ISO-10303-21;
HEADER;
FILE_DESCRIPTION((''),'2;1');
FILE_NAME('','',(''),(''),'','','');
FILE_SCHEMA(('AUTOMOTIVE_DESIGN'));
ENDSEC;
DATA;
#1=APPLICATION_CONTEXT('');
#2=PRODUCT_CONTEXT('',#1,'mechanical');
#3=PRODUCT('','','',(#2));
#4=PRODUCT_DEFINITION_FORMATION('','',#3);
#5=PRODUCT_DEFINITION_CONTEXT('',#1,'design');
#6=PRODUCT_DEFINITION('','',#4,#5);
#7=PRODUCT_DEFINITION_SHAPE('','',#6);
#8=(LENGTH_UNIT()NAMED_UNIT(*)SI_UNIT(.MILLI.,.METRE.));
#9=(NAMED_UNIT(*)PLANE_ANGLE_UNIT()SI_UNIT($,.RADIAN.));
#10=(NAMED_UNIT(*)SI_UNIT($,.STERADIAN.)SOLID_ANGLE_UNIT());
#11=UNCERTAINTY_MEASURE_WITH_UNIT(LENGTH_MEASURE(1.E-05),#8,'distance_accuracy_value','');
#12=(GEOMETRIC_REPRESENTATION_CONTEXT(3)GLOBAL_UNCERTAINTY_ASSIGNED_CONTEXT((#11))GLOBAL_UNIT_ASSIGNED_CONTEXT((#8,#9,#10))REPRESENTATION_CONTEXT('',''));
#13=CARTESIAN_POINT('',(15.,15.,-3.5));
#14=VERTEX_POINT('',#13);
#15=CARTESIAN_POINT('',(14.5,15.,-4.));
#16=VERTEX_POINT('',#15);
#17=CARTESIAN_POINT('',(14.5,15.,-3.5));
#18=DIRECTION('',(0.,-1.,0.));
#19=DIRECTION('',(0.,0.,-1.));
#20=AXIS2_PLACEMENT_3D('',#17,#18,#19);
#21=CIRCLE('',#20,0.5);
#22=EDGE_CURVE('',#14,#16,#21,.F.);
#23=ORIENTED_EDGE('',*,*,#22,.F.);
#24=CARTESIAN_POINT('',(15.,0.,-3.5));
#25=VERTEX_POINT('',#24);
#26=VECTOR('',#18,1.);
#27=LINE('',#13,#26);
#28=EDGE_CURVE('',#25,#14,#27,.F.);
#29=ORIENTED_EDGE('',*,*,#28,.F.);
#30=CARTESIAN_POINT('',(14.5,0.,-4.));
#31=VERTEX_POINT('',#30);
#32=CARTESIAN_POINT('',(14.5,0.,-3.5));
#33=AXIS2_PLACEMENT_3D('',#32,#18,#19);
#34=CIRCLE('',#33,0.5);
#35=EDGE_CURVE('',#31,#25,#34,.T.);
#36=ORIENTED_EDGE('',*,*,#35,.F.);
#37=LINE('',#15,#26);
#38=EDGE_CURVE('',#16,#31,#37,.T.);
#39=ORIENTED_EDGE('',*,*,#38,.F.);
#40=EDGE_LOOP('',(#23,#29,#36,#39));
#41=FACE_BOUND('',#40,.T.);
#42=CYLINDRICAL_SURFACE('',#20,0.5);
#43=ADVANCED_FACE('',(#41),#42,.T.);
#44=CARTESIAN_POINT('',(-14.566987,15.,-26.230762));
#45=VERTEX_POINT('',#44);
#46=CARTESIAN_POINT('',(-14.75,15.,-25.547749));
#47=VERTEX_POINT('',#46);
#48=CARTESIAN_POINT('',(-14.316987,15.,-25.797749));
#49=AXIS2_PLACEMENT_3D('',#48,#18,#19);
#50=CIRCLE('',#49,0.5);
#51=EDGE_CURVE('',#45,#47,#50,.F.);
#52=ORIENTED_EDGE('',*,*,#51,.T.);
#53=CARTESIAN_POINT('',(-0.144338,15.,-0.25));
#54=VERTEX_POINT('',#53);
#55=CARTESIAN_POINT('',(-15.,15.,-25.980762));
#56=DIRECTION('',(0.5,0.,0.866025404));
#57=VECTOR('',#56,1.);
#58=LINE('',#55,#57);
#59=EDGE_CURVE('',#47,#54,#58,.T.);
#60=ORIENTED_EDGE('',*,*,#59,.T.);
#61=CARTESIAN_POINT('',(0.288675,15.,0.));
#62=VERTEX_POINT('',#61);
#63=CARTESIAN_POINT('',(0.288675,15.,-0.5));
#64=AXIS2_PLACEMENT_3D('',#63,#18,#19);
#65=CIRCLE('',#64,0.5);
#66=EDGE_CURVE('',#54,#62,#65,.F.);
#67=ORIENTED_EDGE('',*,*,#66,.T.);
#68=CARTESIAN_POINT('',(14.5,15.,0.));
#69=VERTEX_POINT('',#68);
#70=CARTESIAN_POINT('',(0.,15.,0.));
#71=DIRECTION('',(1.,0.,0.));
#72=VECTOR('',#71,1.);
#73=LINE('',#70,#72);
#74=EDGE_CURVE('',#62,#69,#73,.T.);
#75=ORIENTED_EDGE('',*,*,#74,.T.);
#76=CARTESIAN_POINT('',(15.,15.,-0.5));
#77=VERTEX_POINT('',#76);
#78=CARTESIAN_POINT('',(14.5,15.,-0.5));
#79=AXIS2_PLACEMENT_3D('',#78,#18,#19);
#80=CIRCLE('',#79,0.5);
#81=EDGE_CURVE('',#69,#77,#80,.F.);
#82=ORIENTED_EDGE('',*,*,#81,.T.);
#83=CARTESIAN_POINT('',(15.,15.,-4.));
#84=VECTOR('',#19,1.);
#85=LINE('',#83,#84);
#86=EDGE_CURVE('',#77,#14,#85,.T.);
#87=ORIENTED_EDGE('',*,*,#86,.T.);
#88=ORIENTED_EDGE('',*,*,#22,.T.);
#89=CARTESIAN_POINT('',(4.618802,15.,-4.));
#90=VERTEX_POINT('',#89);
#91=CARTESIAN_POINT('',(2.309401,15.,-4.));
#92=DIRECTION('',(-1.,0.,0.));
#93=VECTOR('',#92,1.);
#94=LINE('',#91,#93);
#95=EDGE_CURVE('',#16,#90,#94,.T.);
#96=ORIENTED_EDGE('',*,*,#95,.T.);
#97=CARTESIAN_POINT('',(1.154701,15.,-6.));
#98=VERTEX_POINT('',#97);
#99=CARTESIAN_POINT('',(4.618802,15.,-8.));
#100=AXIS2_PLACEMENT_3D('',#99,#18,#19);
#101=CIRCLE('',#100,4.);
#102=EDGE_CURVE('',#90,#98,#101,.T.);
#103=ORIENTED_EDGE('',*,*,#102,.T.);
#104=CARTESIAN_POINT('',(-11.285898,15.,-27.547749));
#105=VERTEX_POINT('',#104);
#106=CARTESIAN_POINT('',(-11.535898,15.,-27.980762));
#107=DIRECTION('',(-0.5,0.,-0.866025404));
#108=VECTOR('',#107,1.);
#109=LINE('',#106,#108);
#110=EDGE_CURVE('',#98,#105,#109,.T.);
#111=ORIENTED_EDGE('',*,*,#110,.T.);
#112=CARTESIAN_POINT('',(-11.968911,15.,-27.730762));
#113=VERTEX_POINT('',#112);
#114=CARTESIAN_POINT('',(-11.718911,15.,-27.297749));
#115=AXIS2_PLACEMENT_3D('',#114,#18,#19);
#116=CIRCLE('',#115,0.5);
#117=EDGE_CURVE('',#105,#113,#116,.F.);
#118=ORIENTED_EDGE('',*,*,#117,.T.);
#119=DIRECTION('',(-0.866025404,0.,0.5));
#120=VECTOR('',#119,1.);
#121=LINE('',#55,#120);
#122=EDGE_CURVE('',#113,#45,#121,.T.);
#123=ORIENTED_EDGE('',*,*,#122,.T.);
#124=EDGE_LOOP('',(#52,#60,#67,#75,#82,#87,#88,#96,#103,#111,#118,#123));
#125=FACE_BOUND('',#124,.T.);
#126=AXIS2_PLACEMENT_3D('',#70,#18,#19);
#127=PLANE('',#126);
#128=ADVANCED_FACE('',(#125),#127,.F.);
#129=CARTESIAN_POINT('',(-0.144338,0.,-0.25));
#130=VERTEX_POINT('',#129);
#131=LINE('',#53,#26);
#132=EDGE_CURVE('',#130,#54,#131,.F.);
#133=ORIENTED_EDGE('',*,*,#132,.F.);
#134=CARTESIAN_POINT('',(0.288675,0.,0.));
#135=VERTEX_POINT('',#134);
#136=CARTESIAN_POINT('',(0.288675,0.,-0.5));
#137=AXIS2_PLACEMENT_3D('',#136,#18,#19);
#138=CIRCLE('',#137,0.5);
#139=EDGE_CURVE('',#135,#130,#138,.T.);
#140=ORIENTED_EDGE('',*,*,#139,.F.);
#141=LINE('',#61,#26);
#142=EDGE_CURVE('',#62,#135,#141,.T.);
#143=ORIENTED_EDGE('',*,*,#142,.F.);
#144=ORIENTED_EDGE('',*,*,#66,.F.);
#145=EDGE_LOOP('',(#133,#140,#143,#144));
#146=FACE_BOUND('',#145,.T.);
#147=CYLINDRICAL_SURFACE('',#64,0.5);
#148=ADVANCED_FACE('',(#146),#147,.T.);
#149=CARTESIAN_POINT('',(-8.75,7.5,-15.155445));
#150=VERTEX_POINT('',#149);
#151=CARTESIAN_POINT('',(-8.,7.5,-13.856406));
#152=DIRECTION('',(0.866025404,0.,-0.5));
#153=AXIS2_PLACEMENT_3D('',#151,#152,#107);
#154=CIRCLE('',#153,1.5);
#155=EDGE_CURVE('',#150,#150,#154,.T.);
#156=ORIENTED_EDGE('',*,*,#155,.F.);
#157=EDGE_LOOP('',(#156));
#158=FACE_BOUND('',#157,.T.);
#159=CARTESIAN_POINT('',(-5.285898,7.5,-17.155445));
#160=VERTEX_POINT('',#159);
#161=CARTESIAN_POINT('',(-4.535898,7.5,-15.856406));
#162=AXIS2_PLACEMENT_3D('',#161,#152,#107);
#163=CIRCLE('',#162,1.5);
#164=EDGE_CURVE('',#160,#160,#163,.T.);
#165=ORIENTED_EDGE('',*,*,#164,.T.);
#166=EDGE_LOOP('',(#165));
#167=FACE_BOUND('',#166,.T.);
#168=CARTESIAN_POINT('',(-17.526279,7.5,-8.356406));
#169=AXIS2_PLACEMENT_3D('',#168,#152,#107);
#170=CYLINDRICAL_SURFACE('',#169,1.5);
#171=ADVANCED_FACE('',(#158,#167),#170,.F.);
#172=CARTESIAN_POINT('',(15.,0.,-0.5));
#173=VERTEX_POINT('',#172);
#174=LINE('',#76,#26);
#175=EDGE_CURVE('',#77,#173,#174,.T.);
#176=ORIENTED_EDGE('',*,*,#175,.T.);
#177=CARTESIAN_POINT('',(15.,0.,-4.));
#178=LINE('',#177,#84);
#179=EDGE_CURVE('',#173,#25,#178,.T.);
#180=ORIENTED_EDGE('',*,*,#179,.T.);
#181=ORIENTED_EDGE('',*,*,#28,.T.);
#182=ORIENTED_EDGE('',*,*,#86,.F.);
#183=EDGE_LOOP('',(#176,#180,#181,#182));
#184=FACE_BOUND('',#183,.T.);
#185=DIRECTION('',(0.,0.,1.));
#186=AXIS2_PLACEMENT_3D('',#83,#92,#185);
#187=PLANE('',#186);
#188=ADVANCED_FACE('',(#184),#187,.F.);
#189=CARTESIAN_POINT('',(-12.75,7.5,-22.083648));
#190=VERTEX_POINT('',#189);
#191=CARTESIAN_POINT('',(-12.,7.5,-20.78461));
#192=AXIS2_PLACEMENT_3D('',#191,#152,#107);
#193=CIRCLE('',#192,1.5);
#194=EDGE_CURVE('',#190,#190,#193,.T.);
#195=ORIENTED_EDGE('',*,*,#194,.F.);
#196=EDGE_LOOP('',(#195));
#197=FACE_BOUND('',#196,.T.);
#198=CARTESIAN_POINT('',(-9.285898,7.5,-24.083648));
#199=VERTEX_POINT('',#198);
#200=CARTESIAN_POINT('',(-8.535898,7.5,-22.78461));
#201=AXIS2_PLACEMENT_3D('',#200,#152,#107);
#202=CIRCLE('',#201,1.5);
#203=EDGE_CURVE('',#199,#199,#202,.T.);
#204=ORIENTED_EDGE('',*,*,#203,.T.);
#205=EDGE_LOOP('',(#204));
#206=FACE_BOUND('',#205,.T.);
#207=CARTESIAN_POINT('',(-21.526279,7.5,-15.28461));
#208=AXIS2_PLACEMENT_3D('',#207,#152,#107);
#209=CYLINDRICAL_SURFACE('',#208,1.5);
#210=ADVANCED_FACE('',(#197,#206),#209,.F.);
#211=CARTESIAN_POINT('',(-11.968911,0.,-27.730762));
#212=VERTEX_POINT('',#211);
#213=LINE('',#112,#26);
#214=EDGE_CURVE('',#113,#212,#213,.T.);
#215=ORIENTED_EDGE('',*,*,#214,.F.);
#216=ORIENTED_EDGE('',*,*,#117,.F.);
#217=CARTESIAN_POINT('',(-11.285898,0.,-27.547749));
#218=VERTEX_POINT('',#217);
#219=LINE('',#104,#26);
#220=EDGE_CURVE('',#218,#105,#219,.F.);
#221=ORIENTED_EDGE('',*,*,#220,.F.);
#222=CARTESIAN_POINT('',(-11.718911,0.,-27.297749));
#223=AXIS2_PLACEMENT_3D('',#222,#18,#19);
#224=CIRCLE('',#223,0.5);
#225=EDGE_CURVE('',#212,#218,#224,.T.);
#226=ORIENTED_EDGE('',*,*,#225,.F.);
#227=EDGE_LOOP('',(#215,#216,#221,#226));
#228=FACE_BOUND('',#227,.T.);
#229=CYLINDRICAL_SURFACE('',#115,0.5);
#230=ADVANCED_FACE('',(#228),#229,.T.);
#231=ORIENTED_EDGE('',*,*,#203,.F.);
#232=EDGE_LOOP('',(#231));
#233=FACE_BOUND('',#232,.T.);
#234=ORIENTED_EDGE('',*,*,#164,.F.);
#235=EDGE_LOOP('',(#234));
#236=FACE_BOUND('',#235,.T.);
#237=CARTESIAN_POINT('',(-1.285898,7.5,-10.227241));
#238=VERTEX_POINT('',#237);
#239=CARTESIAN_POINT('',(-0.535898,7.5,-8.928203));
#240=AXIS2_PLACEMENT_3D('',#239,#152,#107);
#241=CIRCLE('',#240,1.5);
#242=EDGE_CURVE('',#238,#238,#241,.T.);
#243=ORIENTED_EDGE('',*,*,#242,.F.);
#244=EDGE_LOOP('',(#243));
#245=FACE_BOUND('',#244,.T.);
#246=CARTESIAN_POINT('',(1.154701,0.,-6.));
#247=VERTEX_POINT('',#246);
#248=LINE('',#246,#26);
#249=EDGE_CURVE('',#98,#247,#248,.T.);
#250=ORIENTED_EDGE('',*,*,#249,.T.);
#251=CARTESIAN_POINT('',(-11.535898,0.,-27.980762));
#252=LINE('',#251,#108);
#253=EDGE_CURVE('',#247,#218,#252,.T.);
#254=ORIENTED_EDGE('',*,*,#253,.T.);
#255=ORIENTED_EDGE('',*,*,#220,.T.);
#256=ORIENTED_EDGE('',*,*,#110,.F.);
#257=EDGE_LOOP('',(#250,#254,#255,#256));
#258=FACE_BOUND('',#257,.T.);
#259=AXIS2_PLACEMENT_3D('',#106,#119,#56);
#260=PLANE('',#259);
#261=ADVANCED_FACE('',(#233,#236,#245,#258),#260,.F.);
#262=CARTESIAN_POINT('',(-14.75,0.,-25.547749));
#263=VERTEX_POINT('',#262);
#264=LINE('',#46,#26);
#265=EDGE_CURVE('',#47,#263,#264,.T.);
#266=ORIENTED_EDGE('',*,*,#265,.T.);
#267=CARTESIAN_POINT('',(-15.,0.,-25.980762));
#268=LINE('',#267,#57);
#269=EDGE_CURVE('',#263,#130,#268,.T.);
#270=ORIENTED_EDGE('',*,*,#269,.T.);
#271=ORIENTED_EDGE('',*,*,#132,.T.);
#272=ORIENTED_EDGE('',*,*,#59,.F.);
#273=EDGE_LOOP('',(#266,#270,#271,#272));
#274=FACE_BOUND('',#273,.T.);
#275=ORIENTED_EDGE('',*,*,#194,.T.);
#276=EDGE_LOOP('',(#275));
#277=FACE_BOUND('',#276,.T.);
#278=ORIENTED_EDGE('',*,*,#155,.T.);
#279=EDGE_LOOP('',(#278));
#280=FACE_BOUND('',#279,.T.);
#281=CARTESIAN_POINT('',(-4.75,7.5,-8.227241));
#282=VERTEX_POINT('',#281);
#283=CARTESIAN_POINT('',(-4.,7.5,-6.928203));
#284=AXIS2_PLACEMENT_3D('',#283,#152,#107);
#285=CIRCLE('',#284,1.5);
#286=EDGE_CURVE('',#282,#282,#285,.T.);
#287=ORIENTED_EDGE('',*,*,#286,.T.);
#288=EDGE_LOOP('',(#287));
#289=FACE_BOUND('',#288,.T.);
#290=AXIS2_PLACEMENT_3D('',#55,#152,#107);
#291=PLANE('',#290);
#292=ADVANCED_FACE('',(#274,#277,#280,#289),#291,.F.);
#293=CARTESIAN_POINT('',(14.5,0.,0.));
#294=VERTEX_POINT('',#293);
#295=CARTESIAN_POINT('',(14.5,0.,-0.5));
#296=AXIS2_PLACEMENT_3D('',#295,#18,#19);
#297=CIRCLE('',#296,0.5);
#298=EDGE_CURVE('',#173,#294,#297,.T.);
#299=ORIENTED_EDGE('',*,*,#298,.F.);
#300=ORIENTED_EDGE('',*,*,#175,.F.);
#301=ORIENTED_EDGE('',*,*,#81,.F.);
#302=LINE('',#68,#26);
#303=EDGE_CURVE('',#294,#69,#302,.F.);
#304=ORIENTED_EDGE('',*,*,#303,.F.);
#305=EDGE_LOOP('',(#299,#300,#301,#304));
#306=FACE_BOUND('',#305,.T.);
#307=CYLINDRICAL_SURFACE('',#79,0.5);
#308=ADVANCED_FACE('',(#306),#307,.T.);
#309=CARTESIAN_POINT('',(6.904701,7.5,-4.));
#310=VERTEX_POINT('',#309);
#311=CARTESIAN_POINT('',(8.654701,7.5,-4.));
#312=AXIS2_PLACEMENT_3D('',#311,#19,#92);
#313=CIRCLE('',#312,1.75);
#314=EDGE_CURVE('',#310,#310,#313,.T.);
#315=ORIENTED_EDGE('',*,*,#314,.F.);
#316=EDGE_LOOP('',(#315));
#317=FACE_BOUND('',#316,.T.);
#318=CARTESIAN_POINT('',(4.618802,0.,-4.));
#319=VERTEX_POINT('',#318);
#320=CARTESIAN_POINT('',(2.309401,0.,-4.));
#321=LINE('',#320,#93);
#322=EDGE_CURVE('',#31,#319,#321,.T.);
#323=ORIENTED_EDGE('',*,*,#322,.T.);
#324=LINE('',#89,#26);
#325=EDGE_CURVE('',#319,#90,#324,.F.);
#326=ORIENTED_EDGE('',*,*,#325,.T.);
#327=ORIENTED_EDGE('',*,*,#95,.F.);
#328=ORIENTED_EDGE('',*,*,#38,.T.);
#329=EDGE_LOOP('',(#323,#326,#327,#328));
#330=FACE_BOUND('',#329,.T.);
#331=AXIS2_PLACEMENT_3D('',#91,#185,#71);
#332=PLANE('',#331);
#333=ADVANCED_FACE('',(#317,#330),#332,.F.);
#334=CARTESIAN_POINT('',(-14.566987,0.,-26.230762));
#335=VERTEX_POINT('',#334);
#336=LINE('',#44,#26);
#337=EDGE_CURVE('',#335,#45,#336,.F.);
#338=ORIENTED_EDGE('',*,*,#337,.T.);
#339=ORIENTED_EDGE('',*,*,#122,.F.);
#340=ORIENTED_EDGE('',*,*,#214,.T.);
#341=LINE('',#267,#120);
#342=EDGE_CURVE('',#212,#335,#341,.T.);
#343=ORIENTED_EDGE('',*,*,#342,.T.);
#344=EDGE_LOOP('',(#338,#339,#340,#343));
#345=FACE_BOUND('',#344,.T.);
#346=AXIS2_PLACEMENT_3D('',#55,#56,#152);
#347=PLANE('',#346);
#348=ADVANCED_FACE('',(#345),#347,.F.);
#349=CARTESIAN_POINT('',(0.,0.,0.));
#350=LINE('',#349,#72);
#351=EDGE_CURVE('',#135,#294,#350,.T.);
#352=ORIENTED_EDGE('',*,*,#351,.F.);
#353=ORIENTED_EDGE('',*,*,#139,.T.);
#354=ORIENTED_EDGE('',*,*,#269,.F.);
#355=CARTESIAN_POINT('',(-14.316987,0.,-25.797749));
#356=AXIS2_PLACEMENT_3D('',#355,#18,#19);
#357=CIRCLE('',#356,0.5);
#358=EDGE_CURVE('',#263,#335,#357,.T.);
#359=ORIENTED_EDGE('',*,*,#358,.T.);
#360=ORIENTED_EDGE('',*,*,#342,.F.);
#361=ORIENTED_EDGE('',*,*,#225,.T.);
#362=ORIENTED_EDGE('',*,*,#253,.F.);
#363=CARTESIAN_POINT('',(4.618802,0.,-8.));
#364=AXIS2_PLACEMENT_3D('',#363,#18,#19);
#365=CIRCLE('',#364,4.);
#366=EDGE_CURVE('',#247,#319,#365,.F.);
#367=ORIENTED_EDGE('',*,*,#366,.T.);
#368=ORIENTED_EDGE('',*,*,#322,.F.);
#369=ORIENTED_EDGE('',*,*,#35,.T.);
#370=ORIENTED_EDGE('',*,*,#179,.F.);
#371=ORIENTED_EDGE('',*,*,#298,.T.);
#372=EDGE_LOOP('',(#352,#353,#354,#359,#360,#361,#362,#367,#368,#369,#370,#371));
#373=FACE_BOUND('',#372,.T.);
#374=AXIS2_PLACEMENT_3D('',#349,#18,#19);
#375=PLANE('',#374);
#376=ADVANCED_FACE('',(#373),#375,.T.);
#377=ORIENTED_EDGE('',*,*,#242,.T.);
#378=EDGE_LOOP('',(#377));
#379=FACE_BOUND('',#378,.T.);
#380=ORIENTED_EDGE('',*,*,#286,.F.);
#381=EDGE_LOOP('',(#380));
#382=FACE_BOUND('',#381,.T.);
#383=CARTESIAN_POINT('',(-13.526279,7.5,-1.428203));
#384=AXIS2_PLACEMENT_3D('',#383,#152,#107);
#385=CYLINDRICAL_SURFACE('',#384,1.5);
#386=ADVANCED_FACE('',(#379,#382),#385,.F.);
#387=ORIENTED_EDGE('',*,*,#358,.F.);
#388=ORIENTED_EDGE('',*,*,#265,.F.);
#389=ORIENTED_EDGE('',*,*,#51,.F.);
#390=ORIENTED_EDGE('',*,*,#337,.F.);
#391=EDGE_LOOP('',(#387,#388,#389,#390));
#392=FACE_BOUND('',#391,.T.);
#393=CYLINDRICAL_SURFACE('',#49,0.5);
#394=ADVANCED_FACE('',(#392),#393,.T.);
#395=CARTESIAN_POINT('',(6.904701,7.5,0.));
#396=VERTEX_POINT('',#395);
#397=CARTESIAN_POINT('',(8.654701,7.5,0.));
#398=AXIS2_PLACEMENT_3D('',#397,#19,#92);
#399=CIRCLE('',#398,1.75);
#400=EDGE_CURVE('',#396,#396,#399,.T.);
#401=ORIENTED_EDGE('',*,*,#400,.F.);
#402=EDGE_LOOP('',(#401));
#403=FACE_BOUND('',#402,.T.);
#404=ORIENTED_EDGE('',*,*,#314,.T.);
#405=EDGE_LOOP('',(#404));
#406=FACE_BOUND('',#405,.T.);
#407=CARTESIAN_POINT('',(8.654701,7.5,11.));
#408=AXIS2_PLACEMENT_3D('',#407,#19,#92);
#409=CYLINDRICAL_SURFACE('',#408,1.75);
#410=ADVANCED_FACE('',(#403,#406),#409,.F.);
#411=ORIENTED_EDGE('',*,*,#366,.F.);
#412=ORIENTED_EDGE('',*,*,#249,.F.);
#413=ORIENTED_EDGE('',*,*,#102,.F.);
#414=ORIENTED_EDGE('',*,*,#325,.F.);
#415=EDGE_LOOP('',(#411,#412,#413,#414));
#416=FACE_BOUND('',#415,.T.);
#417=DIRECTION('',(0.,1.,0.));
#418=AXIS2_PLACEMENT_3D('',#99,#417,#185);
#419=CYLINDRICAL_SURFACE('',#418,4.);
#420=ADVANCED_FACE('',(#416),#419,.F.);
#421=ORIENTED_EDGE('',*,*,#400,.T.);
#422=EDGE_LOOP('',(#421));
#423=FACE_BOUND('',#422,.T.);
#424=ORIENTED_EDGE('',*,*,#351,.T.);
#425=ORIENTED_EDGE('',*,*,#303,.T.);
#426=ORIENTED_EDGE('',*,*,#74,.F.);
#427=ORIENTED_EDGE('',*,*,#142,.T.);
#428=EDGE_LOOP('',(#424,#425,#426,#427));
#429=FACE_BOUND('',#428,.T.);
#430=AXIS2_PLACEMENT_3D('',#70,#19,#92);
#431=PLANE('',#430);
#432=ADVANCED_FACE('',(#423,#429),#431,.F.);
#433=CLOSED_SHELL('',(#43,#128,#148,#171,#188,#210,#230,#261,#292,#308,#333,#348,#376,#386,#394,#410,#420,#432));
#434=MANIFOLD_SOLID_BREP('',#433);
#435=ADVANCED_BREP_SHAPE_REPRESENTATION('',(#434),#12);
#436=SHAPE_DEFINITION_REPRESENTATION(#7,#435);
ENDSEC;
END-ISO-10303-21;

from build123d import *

# Parameters (mm, degrees)
EXTRUDE_1_DEPTH        = 15
SKETCH_2_R             = 1.5
CUT_EXTRUDE_1_DEPTH    = 15
PATTERN_LINEAR_1_COUNT = 3
PATTERN_LINEAR_1_PITCH = 8
SKETCH_3_R             = 1.75
CUT_EXTRUDE_2_DEPTH    = 15
FILLET_1_R             = 4
FILLET_2_R             = 0.5


with BuildPart() as part:
    # Эскиз1 → Бобышка-Вытянуть1 (new body)
    with BuildSketch(Plane(origin=(0, 0, 0), x_dir=(1, 0, 0), z_dir=(0, 1, 0))):
        Polygon((-15, 25.980762114), (0, 0), (15, 0), (15, 4), (2.309401077, 4), (-11.535898385, 27.980762114), align=None)
    extrude(amount=EXTRUDE_1_DEPTH)

    # Эскиз2 → Вырез-Вытянуть1 (cut)
    with BuildSketch(Plane(origin=(3.464101615, 0, -2), x_dir=(-0.49999999999999806, 0, -0.8660254037844397), z_dir=(0.8660254037844397, 0, -0.49999999999999806))):
        with Locations((24, 7.5)):
            Circle(SKETCH_2_R)
    cut_extrude_1 = extrude(amount=-CUT_EXTRUDE_1_DEPTH, mode=Mode.SUBTRACT)

    # Линейный массив1: Вырез-Вытянуть1 ×3
    with Locations(*[Vector(0.49999999999999806, 0, 0.8660254037844397) * (i * PATTERN_LINEAR_1_PITCH) for i in range(1, PATTERN_LINEAR_1_COUNT)]):
        add(cut_extrude_1, mode=Mode.SUBTRACT)

    # Эскиз3 → Вырез-Вытянуть2 (cut)
    with BuildSketch(Plane(origin=(0, 0, -4), x_dir=(-1, 0, 0), z_dir=(0, 0, -1))):
        with Locations((-8.654700538, 7.5)):
            Circle(SKETCH_3_R)
    extrude(amount=-CUT_EXTRUDE_2_DEPTH, mode=Mode.SUBTRACT)

    # Скругление1
    fillet_1_edges = [part.edges().sort_by_distance(p)[0] for p in [
        (2.309401077, 7.5, -4),
    ]]
    fillet(fillet_1_edges, radius=FILLET_1_R)

    # Скругление2
    fillet_2_edges = [part.edges().sort_by_distance(p)[0] for p in [
        (0, 7.5, 0),
        (-15, 7.5, -25.980762114),
        (-11.535898385, 7.5, -27.980762114),
        (15, 7.5, -4),
        (15, 7.5, 0),
    ]]
    fillet(fillet_2_edges, radius=FILLET_2_R)


solid = part.part
